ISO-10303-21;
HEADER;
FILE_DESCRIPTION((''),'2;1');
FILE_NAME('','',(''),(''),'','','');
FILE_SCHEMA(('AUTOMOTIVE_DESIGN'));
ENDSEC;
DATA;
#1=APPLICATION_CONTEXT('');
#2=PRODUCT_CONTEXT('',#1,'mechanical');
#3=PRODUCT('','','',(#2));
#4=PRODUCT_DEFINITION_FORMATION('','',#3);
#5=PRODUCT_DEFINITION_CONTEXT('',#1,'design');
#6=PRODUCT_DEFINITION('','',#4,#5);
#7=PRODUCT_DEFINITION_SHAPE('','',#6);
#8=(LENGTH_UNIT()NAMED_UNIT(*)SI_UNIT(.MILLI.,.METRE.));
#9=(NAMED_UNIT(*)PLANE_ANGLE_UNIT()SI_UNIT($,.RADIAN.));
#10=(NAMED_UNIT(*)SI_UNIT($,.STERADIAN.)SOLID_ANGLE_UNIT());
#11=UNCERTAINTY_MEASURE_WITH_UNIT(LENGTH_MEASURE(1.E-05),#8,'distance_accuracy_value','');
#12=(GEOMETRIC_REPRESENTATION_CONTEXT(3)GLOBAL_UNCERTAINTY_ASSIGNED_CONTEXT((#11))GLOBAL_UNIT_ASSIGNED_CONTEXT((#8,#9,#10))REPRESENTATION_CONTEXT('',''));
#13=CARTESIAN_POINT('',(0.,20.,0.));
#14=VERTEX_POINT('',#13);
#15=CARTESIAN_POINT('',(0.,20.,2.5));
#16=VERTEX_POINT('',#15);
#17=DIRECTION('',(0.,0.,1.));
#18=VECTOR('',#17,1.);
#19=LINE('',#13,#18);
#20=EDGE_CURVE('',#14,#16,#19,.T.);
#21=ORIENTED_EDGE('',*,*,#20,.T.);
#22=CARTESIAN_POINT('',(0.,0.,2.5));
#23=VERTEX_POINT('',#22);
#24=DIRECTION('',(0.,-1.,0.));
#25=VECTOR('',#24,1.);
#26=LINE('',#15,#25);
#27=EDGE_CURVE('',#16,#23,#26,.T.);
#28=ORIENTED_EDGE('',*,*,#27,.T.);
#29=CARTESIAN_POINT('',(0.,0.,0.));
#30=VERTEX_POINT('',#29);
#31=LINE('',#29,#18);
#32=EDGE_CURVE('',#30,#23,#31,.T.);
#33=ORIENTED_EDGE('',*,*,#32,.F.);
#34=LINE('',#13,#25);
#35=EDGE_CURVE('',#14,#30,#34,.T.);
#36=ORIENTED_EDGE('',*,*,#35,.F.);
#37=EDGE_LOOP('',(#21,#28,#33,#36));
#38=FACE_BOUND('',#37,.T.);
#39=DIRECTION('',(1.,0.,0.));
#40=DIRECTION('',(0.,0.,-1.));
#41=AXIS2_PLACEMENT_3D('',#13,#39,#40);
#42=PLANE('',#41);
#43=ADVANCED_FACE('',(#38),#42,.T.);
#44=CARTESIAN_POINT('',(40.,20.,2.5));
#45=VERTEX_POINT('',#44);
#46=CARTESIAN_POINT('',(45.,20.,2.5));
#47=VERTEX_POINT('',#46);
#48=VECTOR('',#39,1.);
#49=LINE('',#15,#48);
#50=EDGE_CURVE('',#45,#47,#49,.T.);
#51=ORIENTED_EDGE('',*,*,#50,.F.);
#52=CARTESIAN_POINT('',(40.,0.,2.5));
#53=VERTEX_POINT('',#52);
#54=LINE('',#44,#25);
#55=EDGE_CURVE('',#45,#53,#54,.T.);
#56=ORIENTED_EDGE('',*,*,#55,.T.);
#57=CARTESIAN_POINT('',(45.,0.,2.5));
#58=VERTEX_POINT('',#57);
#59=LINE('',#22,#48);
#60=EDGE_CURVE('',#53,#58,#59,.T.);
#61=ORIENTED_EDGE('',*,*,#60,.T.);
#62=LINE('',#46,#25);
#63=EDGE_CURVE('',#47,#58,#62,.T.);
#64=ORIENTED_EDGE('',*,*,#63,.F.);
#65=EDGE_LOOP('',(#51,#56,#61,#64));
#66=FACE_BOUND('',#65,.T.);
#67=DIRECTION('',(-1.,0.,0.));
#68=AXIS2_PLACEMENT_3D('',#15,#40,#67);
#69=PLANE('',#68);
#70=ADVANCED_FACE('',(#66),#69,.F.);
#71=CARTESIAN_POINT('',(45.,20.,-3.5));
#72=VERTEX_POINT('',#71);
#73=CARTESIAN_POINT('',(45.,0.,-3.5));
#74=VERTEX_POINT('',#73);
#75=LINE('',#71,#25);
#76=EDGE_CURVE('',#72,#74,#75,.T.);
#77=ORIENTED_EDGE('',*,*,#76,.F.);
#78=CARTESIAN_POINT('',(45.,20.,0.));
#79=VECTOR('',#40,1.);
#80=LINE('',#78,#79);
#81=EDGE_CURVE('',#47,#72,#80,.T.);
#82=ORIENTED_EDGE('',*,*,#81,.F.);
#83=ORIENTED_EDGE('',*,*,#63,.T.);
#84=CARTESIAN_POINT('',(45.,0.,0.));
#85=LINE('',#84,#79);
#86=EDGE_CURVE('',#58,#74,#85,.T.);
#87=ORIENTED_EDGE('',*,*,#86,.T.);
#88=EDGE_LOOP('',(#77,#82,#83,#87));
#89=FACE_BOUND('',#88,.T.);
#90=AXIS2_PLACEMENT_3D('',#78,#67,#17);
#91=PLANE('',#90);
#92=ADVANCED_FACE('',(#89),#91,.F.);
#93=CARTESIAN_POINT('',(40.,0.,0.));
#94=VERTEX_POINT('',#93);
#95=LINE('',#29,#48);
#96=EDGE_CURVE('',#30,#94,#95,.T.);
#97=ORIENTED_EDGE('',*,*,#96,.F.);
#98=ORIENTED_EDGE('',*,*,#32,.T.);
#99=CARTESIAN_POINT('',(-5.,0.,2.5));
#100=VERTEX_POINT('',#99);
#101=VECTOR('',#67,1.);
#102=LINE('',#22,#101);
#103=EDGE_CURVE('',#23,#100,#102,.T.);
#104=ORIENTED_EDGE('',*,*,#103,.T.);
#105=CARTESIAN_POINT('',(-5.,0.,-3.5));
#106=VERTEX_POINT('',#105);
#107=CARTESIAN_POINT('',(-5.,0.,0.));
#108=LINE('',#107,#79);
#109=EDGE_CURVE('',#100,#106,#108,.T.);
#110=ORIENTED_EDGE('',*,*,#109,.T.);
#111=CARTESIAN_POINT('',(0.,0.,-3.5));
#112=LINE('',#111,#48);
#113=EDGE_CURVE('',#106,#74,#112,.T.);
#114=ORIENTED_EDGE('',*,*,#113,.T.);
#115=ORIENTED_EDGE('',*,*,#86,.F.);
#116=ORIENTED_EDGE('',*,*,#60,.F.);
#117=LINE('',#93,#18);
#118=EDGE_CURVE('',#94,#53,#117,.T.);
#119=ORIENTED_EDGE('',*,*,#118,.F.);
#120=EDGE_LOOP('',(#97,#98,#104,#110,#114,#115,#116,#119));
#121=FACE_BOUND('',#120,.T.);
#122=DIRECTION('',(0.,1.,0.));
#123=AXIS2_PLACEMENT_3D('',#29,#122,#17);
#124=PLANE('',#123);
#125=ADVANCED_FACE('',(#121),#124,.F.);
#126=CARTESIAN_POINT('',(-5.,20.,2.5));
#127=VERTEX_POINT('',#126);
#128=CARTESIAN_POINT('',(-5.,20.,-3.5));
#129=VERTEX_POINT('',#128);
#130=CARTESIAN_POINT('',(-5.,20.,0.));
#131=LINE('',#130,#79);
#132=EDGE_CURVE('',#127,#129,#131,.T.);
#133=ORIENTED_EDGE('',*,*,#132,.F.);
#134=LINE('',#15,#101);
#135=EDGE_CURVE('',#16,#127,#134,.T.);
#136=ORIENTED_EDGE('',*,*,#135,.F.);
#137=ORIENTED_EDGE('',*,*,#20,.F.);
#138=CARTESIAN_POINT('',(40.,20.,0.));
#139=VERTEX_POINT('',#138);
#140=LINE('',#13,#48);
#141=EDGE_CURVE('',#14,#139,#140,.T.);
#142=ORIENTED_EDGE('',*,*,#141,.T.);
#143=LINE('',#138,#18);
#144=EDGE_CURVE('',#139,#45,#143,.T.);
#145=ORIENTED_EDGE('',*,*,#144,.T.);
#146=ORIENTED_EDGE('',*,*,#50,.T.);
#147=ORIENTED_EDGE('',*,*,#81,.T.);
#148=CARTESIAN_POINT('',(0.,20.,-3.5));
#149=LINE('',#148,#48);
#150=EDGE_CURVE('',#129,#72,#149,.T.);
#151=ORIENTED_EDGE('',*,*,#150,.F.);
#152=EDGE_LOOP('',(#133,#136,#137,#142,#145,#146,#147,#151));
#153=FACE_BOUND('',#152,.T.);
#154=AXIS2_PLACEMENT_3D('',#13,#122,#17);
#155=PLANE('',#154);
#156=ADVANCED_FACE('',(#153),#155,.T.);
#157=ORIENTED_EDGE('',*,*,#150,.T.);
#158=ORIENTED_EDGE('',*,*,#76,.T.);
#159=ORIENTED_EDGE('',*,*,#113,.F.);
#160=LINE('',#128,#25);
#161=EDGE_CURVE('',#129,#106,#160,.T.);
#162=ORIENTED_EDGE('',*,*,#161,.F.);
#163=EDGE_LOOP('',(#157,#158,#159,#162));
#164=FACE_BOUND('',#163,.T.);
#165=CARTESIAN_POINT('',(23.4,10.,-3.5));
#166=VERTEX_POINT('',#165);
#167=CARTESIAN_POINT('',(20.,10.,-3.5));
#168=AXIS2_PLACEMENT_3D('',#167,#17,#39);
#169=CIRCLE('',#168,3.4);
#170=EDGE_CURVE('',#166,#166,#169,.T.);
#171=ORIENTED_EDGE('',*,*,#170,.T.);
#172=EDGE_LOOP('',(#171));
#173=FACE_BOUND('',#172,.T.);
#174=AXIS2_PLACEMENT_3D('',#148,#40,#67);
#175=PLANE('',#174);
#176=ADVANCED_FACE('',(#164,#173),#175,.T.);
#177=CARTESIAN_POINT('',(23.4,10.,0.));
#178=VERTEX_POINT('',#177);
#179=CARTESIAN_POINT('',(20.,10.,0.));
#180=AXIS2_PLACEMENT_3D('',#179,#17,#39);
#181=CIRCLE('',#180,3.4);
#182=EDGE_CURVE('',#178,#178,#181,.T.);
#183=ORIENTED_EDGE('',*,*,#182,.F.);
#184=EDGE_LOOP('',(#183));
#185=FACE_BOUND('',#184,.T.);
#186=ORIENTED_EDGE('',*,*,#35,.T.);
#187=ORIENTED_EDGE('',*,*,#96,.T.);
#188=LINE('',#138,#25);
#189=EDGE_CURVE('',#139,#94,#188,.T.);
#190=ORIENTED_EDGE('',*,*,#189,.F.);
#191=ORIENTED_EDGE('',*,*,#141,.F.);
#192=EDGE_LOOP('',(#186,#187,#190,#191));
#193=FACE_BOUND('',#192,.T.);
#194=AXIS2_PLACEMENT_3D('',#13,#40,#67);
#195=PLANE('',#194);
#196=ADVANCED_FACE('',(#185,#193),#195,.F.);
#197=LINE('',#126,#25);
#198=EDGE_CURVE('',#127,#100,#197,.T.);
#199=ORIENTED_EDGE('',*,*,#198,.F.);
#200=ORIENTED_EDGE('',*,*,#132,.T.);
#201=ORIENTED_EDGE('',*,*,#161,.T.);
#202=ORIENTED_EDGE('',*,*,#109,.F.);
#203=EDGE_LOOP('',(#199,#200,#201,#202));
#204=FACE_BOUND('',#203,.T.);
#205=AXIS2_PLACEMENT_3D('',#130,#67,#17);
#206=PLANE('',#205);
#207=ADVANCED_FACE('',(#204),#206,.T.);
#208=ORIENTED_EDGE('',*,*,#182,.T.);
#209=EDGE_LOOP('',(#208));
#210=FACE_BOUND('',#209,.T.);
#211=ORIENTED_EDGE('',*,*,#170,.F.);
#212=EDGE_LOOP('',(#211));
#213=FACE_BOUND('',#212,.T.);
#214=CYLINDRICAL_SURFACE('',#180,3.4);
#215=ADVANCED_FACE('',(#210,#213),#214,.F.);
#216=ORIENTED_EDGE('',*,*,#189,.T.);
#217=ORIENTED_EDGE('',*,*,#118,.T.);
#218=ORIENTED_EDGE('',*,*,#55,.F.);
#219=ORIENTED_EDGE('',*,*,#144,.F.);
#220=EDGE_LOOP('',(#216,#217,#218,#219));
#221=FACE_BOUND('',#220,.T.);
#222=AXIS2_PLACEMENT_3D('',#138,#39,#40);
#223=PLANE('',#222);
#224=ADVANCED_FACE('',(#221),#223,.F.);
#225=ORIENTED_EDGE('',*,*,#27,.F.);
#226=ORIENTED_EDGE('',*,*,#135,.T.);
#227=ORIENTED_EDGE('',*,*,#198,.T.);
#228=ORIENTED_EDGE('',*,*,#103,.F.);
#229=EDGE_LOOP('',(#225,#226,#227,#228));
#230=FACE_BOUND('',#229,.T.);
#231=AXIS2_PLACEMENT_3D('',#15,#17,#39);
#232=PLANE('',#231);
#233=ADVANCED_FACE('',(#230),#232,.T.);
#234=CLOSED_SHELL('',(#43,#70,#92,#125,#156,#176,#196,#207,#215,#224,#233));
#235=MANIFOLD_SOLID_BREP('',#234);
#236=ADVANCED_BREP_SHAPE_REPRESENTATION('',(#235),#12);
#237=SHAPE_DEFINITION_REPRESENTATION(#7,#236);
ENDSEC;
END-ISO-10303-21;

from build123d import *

# Parameters (mm, degrees)
DODANIE_WYCI_GNI_CIE1_DEPTH = 20
OTW_R_GWINTOWANY_M81_D      = 6.8


with BuildPart() as part:
    # Szkic1 → Dodanie-wyciągnięcie1 (new body)
    with BuildSketch(Plane(origin=(0, 0, 0), x_dir=(1, 0, 0), z_dir=(0, 1, 0))):
        Polygon((0, -2.5), (0, 0), (40, 0), (40, -2.5), (45, -2.5), (45, 3.5), (-5, 3.5), (-5, -2.5), align=None)
    extrude(amount=DODANIE_WYCI_GNI_CIE1_DEPTH)

    # Otwór gwintowany M81 (through all)
    with Locations(Plane(origin=(20, 10, 0), x_dir=(1, 0, 0), z_dir=(0, 0, 1))):
        with Locations((0, 0)):
            Hole(OTW_R_GWINTOWANY_M81_D / 2)


solid = part.part
